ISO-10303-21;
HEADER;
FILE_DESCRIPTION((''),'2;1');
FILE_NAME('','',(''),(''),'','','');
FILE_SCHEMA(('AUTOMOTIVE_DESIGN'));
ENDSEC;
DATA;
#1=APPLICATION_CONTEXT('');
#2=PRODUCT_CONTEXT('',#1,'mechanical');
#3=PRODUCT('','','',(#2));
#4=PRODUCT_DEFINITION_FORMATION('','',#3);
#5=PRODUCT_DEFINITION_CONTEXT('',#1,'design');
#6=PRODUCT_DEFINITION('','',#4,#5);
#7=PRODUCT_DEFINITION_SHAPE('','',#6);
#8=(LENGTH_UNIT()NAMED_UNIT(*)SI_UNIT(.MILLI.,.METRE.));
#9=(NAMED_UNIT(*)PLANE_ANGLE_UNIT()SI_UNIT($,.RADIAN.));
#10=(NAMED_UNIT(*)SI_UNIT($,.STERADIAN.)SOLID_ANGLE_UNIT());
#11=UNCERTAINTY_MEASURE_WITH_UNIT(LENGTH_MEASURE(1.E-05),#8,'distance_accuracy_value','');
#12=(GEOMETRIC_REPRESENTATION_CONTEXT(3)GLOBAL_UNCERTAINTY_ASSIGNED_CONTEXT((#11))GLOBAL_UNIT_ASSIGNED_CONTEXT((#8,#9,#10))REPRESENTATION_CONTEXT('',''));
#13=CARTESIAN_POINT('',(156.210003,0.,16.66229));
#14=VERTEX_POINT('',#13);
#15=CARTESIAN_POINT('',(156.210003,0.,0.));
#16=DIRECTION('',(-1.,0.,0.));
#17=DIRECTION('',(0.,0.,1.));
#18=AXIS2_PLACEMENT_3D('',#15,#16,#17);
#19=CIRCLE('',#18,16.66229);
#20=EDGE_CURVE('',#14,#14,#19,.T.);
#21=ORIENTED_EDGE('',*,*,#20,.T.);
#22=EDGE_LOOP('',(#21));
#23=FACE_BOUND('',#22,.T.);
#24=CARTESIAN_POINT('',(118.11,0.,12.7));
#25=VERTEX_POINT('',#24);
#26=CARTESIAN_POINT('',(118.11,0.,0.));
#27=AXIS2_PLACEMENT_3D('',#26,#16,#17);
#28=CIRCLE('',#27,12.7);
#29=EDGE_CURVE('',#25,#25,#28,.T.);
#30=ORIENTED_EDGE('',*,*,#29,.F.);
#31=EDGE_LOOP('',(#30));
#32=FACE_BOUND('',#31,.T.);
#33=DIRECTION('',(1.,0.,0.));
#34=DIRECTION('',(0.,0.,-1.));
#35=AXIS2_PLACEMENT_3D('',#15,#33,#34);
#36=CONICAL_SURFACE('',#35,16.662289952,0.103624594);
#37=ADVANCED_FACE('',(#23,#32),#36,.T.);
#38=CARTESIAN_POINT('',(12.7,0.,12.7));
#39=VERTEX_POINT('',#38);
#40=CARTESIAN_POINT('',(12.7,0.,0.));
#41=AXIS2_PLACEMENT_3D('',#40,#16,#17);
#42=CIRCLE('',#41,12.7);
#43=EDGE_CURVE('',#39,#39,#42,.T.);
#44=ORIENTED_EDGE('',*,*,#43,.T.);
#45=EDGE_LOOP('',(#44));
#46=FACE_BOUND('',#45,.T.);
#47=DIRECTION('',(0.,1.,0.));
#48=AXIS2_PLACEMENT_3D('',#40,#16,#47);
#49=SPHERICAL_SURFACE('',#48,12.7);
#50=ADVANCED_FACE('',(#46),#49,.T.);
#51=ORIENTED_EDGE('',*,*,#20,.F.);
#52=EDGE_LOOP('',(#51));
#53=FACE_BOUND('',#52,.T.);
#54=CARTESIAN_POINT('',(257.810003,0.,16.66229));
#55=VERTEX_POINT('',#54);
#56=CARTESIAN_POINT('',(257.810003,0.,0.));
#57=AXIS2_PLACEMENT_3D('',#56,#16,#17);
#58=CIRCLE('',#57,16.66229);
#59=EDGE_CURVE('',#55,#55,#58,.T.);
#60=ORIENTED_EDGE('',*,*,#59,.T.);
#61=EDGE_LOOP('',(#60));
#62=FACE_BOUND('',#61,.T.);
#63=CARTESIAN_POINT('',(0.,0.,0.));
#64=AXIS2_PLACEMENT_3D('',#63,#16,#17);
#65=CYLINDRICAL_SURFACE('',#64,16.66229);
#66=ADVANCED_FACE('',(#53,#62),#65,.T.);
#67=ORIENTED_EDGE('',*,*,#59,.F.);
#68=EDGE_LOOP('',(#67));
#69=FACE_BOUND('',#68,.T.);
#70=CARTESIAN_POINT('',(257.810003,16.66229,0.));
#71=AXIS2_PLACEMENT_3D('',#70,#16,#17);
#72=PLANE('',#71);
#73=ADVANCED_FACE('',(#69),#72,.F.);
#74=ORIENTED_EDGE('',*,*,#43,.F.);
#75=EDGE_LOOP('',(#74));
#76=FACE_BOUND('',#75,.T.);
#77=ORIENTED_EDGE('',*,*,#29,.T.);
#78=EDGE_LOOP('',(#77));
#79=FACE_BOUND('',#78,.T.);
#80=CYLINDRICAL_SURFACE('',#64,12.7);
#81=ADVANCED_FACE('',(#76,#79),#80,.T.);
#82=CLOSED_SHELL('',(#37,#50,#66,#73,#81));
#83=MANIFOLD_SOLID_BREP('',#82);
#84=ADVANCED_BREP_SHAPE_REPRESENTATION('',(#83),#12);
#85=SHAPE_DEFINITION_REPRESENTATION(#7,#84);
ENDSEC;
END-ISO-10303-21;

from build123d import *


with BuildPart() as part:
    # Sketch1 → Revolve1 (revolve)
    with BuildSketch(Plane.XY):
        with BuildLine():
            Line((12.7, 12.7), (118.11, 12.7))
            Line((118.11, 12.7), (156.210003035, 16.662289952))
            Line((156.210003035, 16.662289952), (257.810003035, 16.662289952))
            Line((257.810003035, 16.662289952), (257.810003035, 0))
            Line((257.810003035, 0), (0, 0))
            ThreePointArc((0, 0), (3.719743879, 8.980256121), (12.7, 12.7))
        make_face()
    revolve(axis=Axis((0, 0, 0), (1, 0, 0)))


solid = part.part
